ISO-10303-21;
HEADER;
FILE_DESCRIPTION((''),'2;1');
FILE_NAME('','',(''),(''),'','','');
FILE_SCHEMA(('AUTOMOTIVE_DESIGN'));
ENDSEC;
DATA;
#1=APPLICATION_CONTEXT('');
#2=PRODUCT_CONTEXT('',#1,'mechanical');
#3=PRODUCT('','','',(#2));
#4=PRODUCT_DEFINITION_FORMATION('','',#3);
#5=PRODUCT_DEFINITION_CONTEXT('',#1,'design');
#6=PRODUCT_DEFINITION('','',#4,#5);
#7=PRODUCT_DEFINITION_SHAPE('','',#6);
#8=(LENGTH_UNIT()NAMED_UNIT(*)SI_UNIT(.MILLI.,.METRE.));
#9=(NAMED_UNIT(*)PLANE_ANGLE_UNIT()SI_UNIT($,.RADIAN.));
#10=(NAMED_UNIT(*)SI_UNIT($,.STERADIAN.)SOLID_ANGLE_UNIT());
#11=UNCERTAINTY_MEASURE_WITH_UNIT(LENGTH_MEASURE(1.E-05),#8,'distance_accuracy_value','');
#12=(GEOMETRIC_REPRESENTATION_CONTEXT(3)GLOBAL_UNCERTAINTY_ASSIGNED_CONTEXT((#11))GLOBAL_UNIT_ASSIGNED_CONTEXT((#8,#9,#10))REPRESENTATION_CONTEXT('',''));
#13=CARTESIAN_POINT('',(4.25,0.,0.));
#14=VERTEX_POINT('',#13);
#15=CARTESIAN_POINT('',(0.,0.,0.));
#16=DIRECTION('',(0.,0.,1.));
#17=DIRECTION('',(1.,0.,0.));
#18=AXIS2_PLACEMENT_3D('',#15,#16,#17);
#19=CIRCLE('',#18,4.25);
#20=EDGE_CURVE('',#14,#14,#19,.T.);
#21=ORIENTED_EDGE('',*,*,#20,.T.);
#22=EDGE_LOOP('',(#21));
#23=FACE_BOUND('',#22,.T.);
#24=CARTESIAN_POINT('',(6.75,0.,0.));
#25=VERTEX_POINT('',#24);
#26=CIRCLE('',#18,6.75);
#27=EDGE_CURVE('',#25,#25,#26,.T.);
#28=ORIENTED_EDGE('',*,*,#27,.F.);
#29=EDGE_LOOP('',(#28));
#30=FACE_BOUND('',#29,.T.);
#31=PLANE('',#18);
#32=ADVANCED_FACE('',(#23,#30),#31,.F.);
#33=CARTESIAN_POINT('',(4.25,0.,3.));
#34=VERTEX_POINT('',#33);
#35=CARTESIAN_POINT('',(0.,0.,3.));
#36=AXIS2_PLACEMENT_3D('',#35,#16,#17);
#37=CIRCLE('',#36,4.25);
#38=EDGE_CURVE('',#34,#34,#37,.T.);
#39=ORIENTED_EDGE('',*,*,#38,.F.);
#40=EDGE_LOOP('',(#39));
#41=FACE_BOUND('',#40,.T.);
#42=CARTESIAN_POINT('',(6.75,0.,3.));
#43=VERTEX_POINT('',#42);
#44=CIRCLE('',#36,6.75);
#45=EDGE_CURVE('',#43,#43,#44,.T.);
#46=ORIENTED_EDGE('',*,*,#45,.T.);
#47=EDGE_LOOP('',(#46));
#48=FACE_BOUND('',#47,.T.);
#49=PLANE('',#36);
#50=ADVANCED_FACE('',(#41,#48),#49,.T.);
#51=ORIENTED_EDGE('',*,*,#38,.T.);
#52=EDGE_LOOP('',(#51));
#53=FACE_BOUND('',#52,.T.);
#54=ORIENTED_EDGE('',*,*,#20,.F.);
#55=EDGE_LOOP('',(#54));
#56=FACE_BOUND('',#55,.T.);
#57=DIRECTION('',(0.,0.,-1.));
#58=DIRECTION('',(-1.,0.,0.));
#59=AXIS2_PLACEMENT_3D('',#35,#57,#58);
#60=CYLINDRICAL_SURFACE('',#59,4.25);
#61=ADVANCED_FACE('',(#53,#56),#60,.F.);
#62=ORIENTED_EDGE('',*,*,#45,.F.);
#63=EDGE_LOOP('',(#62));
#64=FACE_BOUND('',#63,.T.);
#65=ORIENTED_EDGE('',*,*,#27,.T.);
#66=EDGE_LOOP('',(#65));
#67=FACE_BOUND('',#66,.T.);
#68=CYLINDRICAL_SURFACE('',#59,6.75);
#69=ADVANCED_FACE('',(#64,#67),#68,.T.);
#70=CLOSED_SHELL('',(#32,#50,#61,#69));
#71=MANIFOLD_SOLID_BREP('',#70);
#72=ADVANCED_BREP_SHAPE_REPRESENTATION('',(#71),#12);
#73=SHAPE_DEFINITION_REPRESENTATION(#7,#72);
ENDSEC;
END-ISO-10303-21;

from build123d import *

# Parameters (mm, degrees)
SCHIZZO1_R                   = 6.75
SCHIZZO1_R_2                 = 4.25
ESTRUSIONE_ESTRUSIONE1_DEPTH = 3


with BuildPart() as part:
    # Schizzo1 → Estrusione-Estrusione1 (new body)
    with BuildSketch(Plane.XY):
        Circle(SCHIZZO1_R)
        Circle(SCHIZZO1_R_2, mode=Mode.SUBTRACT)
    extrude(amount=ESTRUSIONE_ESTRUSIONE1_DEPTH)


solid = part.part
